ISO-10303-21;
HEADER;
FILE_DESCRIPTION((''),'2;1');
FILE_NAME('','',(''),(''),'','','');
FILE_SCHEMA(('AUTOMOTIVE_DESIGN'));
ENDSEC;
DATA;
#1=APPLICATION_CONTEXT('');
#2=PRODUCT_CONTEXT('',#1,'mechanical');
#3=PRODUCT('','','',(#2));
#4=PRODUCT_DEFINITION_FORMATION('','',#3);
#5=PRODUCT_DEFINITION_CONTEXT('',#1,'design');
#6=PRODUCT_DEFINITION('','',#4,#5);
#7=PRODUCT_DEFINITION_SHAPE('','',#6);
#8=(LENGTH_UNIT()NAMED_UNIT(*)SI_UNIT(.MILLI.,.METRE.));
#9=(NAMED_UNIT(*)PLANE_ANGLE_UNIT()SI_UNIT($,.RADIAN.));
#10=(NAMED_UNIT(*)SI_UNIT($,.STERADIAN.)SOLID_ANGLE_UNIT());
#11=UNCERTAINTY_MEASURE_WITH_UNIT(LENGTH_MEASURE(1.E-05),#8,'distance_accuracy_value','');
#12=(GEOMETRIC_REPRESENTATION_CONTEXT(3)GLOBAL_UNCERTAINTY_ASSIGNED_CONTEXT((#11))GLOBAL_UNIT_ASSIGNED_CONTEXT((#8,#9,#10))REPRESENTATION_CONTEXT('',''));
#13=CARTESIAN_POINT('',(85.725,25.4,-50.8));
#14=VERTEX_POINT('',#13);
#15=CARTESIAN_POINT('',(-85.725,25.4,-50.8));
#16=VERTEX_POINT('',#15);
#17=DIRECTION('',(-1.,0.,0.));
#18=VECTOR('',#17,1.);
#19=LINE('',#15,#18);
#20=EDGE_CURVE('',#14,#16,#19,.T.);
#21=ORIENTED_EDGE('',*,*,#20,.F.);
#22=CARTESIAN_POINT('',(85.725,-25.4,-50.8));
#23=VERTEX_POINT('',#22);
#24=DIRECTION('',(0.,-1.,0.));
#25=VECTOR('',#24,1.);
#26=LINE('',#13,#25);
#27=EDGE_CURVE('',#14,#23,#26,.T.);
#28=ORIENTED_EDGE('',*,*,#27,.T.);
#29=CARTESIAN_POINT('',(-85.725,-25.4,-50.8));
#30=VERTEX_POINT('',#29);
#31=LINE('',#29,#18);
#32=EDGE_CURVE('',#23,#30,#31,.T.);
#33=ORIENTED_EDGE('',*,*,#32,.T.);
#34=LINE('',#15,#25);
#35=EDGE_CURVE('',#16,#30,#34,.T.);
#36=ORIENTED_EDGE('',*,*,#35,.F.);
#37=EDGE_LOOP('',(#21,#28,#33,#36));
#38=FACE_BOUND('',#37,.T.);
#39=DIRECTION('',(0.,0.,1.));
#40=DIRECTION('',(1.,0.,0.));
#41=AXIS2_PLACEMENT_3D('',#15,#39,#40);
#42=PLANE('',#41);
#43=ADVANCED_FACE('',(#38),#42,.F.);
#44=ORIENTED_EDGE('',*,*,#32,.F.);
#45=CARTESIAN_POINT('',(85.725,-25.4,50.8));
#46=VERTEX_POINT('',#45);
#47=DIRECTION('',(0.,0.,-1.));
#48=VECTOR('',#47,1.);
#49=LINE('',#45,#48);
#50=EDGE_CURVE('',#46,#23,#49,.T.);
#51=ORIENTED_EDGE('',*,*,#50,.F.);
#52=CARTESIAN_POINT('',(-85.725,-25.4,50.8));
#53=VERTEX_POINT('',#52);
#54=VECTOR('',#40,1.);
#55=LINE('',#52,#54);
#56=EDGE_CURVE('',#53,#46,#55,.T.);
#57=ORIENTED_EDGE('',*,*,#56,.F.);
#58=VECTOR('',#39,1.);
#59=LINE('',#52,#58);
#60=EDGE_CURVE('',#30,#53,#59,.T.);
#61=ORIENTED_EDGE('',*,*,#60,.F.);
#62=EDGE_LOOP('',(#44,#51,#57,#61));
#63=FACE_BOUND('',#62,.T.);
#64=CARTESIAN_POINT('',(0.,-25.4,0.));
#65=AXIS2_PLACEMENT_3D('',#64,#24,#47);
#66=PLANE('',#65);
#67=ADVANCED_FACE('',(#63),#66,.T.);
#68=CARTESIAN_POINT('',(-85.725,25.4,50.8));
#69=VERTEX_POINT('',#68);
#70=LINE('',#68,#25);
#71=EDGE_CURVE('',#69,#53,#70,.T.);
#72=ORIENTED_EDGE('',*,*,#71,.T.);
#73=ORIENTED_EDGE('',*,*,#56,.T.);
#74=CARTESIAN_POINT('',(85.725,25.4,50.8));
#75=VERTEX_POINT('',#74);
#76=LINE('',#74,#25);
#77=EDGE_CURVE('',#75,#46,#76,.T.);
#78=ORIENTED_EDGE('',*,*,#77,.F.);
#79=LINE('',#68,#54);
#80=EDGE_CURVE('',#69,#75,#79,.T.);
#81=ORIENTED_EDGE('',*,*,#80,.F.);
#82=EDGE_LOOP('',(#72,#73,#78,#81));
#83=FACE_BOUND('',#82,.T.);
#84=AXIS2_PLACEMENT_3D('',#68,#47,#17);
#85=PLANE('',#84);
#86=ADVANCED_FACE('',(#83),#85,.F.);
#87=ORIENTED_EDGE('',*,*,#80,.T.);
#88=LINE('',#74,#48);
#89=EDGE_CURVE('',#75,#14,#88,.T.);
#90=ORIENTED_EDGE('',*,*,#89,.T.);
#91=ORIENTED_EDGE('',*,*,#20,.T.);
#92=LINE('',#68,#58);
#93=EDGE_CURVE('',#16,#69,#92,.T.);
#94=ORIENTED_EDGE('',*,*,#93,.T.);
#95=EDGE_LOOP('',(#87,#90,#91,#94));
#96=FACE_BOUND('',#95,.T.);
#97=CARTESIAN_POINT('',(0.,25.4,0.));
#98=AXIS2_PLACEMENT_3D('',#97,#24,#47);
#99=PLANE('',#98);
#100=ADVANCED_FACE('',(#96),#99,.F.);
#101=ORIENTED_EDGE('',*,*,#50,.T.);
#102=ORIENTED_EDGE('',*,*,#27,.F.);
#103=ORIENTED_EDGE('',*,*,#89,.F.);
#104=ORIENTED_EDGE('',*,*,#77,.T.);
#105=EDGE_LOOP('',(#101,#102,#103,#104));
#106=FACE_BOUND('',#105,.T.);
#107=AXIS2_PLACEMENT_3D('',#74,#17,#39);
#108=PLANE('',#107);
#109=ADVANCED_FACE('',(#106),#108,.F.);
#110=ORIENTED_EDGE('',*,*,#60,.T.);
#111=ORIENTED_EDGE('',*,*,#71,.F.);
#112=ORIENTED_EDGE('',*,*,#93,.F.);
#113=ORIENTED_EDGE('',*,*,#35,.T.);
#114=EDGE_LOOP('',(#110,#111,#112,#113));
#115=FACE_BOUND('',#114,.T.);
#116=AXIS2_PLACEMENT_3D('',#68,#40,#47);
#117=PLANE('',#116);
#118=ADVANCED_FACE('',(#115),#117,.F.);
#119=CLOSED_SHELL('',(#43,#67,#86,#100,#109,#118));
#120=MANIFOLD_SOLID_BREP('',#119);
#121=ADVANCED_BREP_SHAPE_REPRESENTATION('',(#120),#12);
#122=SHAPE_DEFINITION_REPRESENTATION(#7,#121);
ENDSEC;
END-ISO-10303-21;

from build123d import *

# Parameters (mm, degrees)
SKETCH1_W           = 171.45
SKETCH1_H           = 101.6
BOSS_EXTRUDE1_DEPTH = 25.4


with BuildPart() as part:
    # Sketch1 → Boss-Extrude1 (new body, symmetric)
    with BuildSketch(Plane(origin=(0, 0, 0), x_dir=(1, 0, 0), z_dir=(0, 1, 0))):
        Rectangle(SKETCH1_W, SKETCH1_H)
    extrude(amount=BOSS_EXTRUDE1_DEPTH, both=True)


solid = part.part
